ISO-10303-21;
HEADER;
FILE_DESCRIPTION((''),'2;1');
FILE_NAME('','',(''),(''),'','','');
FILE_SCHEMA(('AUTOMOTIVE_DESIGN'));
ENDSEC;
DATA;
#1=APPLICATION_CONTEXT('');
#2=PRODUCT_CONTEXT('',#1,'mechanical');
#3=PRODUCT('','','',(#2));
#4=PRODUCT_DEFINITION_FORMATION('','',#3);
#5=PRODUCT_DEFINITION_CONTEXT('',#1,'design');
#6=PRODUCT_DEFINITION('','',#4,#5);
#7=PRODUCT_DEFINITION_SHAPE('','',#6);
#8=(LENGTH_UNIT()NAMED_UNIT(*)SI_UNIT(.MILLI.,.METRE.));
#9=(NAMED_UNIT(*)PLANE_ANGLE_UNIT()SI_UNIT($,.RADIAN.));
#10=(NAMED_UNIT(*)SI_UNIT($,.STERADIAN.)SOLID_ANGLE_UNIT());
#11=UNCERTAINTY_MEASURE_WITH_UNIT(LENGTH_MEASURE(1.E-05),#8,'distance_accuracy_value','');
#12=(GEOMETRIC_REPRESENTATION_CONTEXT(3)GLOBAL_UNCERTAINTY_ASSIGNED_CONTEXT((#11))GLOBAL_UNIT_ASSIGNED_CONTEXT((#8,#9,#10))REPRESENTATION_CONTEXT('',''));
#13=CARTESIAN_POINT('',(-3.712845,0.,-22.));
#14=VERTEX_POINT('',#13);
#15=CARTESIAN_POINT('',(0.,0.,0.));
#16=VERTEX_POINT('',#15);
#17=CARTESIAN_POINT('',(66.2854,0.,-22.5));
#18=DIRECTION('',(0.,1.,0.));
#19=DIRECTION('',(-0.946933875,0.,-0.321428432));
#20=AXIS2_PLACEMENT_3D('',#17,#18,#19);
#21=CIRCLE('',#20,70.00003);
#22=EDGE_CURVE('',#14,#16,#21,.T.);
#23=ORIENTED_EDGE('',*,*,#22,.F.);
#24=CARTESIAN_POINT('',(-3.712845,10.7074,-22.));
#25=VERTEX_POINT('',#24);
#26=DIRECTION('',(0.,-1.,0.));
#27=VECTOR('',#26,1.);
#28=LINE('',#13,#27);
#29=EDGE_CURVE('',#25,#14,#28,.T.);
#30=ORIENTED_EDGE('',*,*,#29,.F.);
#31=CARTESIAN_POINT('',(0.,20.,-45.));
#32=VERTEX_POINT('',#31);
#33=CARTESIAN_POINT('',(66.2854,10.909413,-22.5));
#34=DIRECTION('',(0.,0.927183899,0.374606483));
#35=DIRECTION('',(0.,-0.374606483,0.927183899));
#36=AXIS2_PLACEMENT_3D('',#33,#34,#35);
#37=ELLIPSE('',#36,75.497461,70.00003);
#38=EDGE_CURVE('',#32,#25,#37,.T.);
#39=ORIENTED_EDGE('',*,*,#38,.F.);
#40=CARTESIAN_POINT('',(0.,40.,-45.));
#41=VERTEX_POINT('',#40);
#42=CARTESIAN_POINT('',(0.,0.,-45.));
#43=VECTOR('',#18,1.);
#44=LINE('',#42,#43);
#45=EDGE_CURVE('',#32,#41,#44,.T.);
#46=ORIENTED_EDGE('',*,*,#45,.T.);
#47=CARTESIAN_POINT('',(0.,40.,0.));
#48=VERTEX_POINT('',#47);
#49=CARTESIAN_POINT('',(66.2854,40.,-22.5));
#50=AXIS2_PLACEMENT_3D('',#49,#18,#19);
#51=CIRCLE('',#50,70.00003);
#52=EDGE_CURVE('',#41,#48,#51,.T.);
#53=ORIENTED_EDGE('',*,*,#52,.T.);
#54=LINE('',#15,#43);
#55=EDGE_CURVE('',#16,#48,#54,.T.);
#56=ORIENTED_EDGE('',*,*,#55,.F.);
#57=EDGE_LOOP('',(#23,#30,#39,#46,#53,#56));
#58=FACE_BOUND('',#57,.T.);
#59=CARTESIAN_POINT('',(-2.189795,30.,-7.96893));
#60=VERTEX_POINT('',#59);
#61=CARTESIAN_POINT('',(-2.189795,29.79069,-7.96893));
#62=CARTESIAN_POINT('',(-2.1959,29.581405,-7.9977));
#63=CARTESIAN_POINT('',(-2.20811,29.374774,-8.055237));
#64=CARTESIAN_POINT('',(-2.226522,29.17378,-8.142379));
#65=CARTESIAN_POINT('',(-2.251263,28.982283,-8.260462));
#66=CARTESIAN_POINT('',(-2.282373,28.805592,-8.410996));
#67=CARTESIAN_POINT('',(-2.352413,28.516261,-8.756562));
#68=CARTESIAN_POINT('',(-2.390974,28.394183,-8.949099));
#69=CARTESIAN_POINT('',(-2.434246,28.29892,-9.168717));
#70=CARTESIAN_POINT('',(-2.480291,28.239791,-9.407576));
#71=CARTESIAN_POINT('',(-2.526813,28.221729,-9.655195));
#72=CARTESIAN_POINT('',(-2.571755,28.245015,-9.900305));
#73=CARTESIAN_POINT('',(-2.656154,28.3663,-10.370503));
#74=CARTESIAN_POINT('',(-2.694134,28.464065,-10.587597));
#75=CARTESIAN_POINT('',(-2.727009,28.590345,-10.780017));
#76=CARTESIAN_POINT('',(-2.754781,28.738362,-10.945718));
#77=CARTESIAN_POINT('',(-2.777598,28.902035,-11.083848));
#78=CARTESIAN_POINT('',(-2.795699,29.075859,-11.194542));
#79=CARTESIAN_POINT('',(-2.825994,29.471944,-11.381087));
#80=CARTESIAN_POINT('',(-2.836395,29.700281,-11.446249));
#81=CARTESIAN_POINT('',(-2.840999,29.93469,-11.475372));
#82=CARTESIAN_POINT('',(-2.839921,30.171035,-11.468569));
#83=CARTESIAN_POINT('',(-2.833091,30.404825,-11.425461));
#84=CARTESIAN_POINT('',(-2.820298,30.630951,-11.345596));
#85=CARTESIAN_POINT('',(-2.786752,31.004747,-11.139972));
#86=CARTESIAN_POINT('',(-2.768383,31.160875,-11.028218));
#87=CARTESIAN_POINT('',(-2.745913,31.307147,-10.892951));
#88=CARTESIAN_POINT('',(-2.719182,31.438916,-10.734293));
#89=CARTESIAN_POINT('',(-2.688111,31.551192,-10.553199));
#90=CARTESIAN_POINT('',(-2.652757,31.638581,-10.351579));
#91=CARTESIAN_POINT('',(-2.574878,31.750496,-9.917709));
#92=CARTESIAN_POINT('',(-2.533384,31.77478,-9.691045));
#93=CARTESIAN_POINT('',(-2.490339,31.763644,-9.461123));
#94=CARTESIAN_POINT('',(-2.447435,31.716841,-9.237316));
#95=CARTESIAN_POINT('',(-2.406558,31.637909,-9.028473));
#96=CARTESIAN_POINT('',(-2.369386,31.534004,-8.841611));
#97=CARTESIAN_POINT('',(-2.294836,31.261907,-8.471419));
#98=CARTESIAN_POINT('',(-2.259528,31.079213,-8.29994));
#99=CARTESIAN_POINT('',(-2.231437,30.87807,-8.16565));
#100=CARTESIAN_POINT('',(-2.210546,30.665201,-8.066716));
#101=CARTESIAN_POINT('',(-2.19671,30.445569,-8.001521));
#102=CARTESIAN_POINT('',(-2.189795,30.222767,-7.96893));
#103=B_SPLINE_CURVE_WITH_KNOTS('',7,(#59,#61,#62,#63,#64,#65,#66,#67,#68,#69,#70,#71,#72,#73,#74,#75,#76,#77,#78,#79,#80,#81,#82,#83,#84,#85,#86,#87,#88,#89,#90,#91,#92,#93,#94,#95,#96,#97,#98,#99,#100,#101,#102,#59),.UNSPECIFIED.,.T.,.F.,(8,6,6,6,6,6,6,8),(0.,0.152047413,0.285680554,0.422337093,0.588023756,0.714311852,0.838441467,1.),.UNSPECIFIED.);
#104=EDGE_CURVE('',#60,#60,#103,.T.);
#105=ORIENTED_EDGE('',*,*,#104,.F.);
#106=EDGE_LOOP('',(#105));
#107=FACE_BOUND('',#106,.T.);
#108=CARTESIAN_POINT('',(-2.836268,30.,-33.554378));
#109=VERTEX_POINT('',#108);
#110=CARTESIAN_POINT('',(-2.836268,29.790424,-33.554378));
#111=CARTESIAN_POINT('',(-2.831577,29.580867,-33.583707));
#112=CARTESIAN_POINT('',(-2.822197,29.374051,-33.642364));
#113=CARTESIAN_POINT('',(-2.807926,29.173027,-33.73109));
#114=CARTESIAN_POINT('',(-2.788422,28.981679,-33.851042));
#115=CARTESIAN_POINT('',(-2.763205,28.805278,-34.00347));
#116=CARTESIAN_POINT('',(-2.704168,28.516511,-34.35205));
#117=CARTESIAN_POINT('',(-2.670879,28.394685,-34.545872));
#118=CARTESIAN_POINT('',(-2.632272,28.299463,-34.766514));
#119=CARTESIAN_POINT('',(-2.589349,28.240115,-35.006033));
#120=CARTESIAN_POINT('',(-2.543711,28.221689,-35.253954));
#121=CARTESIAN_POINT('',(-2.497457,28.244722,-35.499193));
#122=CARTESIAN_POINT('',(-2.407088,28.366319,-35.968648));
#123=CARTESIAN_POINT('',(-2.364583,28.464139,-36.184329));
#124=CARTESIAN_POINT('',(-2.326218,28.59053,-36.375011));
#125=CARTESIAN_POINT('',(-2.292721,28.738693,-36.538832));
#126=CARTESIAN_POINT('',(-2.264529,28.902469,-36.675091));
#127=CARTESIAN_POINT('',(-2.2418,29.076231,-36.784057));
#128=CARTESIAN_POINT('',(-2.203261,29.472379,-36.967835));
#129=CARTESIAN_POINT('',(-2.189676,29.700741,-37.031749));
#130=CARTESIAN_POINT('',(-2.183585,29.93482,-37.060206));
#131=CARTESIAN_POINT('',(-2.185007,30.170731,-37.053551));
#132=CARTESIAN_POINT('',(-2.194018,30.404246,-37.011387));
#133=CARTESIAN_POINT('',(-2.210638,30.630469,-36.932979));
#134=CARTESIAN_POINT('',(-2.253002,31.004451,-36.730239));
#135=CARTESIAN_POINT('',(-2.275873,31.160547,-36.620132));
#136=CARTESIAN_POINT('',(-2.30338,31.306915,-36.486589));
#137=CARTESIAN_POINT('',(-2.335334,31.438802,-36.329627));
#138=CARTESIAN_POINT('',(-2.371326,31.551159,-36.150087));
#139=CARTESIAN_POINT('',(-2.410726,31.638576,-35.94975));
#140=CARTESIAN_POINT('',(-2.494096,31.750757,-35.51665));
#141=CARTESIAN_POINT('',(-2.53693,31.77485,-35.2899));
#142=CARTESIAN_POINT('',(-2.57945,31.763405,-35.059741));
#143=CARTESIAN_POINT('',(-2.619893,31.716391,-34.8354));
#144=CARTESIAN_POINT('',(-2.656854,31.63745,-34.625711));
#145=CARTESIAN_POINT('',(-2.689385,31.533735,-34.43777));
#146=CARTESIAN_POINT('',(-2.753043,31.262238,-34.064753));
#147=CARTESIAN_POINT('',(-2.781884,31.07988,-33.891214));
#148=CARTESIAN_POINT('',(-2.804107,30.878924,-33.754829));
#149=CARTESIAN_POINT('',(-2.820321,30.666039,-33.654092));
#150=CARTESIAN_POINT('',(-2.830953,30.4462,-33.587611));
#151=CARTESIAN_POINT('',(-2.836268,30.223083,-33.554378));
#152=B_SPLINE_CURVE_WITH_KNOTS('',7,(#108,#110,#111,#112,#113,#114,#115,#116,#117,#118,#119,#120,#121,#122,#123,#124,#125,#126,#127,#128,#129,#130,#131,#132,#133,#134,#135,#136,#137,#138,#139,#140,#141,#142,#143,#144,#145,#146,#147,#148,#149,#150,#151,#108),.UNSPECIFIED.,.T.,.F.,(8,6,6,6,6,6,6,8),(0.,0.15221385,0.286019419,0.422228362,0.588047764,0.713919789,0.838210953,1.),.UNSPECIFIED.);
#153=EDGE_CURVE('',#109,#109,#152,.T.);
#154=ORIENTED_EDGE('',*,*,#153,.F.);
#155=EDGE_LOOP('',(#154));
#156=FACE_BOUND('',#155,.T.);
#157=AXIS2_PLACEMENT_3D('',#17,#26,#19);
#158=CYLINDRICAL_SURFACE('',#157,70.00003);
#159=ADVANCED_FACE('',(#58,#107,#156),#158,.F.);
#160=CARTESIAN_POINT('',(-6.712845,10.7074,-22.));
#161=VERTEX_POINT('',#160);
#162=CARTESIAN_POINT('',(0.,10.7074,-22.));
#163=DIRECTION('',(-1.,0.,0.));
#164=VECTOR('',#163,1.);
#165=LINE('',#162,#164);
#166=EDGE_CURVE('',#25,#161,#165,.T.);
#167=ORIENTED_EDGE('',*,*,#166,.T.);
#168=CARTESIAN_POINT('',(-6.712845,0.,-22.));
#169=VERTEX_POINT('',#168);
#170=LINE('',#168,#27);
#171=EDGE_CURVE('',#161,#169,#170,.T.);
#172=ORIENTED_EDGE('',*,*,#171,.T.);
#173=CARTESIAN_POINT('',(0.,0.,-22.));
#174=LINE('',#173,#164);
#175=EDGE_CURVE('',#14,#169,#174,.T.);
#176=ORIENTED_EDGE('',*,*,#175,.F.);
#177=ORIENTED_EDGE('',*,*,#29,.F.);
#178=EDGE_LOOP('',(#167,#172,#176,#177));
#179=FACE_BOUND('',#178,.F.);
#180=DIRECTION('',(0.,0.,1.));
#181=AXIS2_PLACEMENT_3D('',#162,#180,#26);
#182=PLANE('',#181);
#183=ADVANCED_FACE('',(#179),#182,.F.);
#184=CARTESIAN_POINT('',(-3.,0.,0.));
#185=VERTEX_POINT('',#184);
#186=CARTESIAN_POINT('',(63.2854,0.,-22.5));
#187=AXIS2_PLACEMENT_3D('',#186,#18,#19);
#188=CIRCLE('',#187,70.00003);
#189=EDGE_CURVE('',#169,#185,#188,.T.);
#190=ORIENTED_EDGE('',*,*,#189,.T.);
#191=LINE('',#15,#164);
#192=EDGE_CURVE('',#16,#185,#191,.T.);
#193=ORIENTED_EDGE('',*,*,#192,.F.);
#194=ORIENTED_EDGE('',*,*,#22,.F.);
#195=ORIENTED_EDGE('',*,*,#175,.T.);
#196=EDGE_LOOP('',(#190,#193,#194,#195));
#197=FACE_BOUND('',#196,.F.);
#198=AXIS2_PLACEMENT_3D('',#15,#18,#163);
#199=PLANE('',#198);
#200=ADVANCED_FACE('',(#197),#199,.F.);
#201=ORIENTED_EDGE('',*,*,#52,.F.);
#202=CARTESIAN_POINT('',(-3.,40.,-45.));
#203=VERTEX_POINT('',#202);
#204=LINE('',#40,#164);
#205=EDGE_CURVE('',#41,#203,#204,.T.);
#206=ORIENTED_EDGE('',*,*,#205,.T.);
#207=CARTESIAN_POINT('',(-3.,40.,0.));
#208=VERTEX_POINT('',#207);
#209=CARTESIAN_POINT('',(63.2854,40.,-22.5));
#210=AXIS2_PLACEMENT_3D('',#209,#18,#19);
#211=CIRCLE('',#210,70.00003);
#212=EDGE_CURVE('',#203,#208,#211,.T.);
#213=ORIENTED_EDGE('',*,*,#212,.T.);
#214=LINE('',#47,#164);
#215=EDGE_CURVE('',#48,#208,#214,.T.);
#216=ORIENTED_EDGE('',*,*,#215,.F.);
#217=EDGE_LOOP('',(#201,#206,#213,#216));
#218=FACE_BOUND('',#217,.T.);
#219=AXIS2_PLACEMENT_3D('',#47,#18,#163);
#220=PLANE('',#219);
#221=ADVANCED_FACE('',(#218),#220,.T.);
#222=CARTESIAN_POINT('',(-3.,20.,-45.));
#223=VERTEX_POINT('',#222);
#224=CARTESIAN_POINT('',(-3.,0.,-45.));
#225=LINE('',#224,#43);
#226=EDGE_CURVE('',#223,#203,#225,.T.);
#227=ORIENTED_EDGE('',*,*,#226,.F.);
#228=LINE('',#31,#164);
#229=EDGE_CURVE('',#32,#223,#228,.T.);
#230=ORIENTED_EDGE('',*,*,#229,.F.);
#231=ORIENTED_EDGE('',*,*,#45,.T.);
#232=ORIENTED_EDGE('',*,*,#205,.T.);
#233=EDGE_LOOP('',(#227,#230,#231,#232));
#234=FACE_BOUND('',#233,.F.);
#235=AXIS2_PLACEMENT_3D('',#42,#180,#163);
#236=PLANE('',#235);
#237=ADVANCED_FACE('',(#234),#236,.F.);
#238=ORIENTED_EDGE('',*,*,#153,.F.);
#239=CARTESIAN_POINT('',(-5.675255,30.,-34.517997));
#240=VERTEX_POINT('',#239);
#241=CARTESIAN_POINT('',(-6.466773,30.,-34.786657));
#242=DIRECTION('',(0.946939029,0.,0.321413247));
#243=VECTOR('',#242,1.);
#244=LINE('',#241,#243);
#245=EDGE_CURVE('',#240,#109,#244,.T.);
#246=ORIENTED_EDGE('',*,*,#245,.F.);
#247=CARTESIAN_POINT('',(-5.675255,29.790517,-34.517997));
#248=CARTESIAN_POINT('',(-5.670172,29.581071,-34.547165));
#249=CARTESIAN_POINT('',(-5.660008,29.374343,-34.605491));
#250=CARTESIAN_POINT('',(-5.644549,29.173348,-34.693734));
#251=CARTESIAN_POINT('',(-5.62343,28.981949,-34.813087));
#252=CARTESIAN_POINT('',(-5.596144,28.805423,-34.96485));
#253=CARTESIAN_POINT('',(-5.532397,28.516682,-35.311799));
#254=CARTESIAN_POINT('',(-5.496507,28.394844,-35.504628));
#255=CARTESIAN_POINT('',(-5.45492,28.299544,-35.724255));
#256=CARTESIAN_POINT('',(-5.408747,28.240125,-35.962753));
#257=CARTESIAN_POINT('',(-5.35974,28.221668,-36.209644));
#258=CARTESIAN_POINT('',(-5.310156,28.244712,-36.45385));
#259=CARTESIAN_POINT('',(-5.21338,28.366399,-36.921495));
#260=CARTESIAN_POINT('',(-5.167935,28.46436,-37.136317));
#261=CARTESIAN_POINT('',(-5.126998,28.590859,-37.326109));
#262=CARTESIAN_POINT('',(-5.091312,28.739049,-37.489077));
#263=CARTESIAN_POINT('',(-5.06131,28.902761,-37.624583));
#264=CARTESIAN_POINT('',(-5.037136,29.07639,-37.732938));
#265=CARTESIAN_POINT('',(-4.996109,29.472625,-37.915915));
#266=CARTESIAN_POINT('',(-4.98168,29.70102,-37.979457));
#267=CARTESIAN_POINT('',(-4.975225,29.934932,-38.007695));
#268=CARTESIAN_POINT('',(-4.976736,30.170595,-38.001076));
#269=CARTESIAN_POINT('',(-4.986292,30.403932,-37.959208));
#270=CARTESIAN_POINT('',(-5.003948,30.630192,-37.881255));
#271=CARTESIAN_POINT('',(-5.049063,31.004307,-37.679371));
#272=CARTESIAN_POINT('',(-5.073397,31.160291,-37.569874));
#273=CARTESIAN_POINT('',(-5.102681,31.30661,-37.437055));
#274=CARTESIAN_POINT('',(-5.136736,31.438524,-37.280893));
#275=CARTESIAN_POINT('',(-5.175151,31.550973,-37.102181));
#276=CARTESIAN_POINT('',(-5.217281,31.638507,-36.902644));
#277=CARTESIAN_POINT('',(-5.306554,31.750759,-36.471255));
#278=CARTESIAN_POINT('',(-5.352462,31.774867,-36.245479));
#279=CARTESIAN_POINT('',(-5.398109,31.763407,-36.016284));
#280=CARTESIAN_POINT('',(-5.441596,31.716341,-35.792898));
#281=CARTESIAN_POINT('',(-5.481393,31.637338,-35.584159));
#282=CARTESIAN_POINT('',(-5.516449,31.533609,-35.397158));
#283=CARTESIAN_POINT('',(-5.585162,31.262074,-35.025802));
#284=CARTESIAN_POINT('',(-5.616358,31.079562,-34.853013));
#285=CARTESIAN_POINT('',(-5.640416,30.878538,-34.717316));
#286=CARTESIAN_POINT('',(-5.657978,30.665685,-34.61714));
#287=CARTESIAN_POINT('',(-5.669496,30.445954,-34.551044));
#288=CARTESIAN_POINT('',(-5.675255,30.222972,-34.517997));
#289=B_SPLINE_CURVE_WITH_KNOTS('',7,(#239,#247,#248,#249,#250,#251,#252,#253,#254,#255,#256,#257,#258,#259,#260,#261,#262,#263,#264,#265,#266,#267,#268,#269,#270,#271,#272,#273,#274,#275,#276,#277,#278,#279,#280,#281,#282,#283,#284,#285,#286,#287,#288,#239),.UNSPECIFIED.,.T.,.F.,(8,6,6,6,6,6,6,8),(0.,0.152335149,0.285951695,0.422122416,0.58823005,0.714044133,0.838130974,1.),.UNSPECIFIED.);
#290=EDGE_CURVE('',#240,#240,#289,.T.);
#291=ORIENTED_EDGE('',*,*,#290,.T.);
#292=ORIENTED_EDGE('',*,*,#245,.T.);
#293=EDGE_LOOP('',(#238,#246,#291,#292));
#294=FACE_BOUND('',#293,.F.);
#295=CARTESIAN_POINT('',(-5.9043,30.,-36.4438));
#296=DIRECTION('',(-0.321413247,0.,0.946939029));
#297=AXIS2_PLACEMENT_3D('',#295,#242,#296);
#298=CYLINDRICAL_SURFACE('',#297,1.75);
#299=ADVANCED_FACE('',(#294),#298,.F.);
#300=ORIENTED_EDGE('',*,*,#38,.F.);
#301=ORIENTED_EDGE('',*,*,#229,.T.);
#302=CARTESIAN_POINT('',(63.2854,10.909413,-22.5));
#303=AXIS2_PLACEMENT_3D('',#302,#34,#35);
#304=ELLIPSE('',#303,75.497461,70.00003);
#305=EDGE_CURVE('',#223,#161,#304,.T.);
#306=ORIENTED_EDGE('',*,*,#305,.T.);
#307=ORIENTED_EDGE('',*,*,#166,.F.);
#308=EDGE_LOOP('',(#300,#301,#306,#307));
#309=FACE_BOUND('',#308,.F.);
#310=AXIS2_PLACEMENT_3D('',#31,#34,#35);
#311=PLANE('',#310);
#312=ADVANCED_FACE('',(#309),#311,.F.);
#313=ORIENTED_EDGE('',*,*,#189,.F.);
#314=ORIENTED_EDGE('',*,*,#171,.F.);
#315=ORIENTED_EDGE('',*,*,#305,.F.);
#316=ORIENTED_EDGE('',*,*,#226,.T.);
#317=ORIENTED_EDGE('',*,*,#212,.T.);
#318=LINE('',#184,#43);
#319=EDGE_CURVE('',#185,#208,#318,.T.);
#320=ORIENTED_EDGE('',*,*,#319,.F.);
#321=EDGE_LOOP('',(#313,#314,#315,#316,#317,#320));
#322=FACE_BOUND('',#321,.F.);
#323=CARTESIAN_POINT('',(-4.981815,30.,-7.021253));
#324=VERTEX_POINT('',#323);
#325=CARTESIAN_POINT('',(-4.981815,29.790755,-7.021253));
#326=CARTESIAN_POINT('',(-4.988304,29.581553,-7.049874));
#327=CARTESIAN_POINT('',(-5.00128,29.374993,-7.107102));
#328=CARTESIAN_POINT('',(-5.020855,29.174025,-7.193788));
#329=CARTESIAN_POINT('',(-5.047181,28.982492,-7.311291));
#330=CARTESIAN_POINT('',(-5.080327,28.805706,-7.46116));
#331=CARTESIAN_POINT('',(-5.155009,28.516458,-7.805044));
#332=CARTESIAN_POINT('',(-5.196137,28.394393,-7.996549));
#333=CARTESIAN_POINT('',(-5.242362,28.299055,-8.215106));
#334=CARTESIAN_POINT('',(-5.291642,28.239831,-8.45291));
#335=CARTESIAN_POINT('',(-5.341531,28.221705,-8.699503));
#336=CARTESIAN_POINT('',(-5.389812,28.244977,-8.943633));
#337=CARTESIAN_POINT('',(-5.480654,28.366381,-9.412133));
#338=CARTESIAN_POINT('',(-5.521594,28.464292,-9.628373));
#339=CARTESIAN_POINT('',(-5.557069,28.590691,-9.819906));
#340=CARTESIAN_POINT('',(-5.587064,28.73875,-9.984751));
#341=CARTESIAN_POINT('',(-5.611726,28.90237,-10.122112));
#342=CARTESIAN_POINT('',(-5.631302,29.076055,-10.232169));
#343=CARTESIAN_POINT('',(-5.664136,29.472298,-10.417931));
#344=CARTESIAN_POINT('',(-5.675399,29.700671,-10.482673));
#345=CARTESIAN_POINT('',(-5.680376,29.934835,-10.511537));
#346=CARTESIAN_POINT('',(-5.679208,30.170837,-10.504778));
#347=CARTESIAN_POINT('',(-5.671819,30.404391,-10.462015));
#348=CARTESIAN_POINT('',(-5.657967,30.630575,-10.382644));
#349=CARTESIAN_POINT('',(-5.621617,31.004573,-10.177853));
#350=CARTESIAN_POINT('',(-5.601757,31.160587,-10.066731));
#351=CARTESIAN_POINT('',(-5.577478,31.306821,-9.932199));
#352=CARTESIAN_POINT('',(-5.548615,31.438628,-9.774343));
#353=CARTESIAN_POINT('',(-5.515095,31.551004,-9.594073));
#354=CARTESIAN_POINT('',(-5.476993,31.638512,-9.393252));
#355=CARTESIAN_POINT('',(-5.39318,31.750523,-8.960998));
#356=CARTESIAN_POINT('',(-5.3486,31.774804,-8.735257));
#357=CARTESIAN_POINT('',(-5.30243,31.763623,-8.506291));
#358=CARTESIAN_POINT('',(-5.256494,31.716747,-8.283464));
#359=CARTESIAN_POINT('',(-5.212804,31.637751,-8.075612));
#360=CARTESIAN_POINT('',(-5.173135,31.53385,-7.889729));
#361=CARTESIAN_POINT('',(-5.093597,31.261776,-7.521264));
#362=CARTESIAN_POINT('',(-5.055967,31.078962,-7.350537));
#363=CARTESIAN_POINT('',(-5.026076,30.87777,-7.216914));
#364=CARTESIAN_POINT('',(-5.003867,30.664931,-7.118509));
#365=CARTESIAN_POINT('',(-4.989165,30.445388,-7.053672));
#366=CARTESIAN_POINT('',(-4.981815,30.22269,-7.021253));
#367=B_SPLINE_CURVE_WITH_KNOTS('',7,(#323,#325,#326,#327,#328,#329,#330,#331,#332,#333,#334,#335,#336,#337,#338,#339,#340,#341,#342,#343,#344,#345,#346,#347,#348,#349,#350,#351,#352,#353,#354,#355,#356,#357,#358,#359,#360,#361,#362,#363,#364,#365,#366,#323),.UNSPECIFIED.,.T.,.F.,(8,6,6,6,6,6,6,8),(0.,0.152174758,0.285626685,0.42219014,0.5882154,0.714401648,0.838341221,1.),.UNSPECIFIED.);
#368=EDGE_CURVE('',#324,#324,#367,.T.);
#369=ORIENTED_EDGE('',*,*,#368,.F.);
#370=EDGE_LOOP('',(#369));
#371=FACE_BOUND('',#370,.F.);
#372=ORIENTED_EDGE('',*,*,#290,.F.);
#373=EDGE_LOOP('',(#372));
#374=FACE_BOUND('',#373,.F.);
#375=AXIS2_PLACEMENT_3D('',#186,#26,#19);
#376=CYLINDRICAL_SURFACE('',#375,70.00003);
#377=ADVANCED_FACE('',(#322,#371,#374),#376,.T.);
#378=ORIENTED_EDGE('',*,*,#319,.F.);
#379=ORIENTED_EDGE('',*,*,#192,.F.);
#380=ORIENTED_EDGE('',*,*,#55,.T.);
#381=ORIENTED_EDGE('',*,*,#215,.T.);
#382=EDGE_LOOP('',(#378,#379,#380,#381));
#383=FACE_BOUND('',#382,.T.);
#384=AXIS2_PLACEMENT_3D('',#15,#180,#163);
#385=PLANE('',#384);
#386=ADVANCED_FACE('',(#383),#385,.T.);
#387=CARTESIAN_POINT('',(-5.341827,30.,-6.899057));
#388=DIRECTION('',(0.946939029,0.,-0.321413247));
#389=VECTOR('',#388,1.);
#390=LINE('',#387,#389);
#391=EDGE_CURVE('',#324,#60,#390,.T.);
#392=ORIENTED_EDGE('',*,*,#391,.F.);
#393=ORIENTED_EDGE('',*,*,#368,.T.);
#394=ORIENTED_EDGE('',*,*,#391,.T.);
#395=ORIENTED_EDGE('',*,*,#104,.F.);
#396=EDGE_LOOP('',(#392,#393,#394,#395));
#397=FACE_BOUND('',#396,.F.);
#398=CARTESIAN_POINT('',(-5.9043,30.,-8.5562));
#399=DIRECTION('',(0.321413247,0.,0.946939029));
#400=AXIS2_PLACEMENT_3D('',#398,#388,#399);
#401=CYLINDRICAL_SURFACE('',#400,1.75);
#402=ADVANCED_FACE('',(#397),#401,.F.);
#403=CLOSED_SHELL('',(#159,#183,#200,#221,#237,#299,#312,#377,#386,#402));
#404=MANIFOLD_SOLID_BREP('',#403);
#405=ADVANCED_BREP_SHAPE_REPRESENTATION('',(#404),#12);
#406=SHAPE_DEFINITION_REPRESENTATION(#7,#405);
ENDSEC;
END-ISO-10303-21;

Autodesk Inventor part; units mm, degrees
ref_plane "YZ Plane" through (0, 0, 0) normal (1, 0, 0) x (0, 1, 0)
sketch "Sketch1" plane through (0, 0, 0) normal (0, 1, 0) x (-1, 0, 0)
  line L0 (0, 0) -> (0, -45) construction
  arc A0 (0, -45) -> (0, 0) centre (-66.2854, -22.5) ccw
  line L1 (0, 0) -> (3, 0)
  line L2 (0, -45) -> (3, -45)
  arc A1 (3, -45) -> (3, 0) centre (-63.2854, -22.5) ccw
  dimension "d0" = 45
  dimension "d1" = 70
  dimension "d2" = 3
  dimension "d3" = 3
  dimension "d4" = 70
extrude "Extrusion1" add sketch "Sketch1" along normal blind 40
ref_plane "Work Plane1" through (-3, 0, -45) normal (-0.9469, 0, -0.3214) x (0, -1, 0)
sketch "Sketch2" plane through (-3, 0, -45) normal (-0.9469, 0, -0.3214) x (0, -1, 0)
  line L0 (-40, 42.612) -> (-40, 0) projected
  line L1 (0, -0.9643) -> (-40, -0.9643) projected
  point P0 (0, 41.6477)
  point P1 (-30, 9.0357)
  dimension "d7" = 10
  dimension "d8" = 10
hole "Hole1" at (-5.9043, 30, -36.4438) direction (0.9469, 0, 0.3214) diameter 3.5 end through all
ref_plane "Work Plane2" through (-3, 0, 0) normal (-0.9469, 0, 0.3214) x (0, -1, 0)
sketch "Sketch3" plane through (-3, 0, 0) normal (-0.9469, 0, 0.3214) x (0, -1, 0)
  line L0 (0, 0.9643) -> (-40, 0.9643) projected
  line L1 (-40, 0) -> (-40, -42.612) projected
  point P0 (-30, -9.0357)
  dimension "d16" = 10
  dimension "d17" = 10
hole "Hole2" at (-5.9043, 30, -8.5562) direction (0.9469, 0, -0.3214) diameter 3.5 end through all
sketch "Sketch4" plane through (0, 0, 0) normal (1, 0, 0) x (0, 1, 0)
  line L0 (0, -45) -> (40, -45) projected
  line L1 (0, 0) -> (40, 0) projected
  line L2 (0, -45) -> (0, 0) projected
  line L3 (0, 0) -> (40, 0) projected
  line L4 (40, -45) -> (40, 0) projected
  line L5 (0, -45) -> (40, -45) projected
  line L6 (0, 0) -> (0, -22)
  line L7 (20, -45) -> (10.7074, -22)
  line L8 (10.7074, -22) -> (0, -22)
  line L9 (20, -45) -> (0, -45)
  line L10 (0, -22) -> (0, -45)
  point P0 (30, -7.0213)
  point P1 (30, -34.518)
  point P2 (20, 0)
  dimension "d25" = 22
  dimension "d26" = 112
extrude "Extrusion2" cut sketch "Sketch4" against normal up to next contours L2 L8 L7 L0
properties part number "cap_mount"
